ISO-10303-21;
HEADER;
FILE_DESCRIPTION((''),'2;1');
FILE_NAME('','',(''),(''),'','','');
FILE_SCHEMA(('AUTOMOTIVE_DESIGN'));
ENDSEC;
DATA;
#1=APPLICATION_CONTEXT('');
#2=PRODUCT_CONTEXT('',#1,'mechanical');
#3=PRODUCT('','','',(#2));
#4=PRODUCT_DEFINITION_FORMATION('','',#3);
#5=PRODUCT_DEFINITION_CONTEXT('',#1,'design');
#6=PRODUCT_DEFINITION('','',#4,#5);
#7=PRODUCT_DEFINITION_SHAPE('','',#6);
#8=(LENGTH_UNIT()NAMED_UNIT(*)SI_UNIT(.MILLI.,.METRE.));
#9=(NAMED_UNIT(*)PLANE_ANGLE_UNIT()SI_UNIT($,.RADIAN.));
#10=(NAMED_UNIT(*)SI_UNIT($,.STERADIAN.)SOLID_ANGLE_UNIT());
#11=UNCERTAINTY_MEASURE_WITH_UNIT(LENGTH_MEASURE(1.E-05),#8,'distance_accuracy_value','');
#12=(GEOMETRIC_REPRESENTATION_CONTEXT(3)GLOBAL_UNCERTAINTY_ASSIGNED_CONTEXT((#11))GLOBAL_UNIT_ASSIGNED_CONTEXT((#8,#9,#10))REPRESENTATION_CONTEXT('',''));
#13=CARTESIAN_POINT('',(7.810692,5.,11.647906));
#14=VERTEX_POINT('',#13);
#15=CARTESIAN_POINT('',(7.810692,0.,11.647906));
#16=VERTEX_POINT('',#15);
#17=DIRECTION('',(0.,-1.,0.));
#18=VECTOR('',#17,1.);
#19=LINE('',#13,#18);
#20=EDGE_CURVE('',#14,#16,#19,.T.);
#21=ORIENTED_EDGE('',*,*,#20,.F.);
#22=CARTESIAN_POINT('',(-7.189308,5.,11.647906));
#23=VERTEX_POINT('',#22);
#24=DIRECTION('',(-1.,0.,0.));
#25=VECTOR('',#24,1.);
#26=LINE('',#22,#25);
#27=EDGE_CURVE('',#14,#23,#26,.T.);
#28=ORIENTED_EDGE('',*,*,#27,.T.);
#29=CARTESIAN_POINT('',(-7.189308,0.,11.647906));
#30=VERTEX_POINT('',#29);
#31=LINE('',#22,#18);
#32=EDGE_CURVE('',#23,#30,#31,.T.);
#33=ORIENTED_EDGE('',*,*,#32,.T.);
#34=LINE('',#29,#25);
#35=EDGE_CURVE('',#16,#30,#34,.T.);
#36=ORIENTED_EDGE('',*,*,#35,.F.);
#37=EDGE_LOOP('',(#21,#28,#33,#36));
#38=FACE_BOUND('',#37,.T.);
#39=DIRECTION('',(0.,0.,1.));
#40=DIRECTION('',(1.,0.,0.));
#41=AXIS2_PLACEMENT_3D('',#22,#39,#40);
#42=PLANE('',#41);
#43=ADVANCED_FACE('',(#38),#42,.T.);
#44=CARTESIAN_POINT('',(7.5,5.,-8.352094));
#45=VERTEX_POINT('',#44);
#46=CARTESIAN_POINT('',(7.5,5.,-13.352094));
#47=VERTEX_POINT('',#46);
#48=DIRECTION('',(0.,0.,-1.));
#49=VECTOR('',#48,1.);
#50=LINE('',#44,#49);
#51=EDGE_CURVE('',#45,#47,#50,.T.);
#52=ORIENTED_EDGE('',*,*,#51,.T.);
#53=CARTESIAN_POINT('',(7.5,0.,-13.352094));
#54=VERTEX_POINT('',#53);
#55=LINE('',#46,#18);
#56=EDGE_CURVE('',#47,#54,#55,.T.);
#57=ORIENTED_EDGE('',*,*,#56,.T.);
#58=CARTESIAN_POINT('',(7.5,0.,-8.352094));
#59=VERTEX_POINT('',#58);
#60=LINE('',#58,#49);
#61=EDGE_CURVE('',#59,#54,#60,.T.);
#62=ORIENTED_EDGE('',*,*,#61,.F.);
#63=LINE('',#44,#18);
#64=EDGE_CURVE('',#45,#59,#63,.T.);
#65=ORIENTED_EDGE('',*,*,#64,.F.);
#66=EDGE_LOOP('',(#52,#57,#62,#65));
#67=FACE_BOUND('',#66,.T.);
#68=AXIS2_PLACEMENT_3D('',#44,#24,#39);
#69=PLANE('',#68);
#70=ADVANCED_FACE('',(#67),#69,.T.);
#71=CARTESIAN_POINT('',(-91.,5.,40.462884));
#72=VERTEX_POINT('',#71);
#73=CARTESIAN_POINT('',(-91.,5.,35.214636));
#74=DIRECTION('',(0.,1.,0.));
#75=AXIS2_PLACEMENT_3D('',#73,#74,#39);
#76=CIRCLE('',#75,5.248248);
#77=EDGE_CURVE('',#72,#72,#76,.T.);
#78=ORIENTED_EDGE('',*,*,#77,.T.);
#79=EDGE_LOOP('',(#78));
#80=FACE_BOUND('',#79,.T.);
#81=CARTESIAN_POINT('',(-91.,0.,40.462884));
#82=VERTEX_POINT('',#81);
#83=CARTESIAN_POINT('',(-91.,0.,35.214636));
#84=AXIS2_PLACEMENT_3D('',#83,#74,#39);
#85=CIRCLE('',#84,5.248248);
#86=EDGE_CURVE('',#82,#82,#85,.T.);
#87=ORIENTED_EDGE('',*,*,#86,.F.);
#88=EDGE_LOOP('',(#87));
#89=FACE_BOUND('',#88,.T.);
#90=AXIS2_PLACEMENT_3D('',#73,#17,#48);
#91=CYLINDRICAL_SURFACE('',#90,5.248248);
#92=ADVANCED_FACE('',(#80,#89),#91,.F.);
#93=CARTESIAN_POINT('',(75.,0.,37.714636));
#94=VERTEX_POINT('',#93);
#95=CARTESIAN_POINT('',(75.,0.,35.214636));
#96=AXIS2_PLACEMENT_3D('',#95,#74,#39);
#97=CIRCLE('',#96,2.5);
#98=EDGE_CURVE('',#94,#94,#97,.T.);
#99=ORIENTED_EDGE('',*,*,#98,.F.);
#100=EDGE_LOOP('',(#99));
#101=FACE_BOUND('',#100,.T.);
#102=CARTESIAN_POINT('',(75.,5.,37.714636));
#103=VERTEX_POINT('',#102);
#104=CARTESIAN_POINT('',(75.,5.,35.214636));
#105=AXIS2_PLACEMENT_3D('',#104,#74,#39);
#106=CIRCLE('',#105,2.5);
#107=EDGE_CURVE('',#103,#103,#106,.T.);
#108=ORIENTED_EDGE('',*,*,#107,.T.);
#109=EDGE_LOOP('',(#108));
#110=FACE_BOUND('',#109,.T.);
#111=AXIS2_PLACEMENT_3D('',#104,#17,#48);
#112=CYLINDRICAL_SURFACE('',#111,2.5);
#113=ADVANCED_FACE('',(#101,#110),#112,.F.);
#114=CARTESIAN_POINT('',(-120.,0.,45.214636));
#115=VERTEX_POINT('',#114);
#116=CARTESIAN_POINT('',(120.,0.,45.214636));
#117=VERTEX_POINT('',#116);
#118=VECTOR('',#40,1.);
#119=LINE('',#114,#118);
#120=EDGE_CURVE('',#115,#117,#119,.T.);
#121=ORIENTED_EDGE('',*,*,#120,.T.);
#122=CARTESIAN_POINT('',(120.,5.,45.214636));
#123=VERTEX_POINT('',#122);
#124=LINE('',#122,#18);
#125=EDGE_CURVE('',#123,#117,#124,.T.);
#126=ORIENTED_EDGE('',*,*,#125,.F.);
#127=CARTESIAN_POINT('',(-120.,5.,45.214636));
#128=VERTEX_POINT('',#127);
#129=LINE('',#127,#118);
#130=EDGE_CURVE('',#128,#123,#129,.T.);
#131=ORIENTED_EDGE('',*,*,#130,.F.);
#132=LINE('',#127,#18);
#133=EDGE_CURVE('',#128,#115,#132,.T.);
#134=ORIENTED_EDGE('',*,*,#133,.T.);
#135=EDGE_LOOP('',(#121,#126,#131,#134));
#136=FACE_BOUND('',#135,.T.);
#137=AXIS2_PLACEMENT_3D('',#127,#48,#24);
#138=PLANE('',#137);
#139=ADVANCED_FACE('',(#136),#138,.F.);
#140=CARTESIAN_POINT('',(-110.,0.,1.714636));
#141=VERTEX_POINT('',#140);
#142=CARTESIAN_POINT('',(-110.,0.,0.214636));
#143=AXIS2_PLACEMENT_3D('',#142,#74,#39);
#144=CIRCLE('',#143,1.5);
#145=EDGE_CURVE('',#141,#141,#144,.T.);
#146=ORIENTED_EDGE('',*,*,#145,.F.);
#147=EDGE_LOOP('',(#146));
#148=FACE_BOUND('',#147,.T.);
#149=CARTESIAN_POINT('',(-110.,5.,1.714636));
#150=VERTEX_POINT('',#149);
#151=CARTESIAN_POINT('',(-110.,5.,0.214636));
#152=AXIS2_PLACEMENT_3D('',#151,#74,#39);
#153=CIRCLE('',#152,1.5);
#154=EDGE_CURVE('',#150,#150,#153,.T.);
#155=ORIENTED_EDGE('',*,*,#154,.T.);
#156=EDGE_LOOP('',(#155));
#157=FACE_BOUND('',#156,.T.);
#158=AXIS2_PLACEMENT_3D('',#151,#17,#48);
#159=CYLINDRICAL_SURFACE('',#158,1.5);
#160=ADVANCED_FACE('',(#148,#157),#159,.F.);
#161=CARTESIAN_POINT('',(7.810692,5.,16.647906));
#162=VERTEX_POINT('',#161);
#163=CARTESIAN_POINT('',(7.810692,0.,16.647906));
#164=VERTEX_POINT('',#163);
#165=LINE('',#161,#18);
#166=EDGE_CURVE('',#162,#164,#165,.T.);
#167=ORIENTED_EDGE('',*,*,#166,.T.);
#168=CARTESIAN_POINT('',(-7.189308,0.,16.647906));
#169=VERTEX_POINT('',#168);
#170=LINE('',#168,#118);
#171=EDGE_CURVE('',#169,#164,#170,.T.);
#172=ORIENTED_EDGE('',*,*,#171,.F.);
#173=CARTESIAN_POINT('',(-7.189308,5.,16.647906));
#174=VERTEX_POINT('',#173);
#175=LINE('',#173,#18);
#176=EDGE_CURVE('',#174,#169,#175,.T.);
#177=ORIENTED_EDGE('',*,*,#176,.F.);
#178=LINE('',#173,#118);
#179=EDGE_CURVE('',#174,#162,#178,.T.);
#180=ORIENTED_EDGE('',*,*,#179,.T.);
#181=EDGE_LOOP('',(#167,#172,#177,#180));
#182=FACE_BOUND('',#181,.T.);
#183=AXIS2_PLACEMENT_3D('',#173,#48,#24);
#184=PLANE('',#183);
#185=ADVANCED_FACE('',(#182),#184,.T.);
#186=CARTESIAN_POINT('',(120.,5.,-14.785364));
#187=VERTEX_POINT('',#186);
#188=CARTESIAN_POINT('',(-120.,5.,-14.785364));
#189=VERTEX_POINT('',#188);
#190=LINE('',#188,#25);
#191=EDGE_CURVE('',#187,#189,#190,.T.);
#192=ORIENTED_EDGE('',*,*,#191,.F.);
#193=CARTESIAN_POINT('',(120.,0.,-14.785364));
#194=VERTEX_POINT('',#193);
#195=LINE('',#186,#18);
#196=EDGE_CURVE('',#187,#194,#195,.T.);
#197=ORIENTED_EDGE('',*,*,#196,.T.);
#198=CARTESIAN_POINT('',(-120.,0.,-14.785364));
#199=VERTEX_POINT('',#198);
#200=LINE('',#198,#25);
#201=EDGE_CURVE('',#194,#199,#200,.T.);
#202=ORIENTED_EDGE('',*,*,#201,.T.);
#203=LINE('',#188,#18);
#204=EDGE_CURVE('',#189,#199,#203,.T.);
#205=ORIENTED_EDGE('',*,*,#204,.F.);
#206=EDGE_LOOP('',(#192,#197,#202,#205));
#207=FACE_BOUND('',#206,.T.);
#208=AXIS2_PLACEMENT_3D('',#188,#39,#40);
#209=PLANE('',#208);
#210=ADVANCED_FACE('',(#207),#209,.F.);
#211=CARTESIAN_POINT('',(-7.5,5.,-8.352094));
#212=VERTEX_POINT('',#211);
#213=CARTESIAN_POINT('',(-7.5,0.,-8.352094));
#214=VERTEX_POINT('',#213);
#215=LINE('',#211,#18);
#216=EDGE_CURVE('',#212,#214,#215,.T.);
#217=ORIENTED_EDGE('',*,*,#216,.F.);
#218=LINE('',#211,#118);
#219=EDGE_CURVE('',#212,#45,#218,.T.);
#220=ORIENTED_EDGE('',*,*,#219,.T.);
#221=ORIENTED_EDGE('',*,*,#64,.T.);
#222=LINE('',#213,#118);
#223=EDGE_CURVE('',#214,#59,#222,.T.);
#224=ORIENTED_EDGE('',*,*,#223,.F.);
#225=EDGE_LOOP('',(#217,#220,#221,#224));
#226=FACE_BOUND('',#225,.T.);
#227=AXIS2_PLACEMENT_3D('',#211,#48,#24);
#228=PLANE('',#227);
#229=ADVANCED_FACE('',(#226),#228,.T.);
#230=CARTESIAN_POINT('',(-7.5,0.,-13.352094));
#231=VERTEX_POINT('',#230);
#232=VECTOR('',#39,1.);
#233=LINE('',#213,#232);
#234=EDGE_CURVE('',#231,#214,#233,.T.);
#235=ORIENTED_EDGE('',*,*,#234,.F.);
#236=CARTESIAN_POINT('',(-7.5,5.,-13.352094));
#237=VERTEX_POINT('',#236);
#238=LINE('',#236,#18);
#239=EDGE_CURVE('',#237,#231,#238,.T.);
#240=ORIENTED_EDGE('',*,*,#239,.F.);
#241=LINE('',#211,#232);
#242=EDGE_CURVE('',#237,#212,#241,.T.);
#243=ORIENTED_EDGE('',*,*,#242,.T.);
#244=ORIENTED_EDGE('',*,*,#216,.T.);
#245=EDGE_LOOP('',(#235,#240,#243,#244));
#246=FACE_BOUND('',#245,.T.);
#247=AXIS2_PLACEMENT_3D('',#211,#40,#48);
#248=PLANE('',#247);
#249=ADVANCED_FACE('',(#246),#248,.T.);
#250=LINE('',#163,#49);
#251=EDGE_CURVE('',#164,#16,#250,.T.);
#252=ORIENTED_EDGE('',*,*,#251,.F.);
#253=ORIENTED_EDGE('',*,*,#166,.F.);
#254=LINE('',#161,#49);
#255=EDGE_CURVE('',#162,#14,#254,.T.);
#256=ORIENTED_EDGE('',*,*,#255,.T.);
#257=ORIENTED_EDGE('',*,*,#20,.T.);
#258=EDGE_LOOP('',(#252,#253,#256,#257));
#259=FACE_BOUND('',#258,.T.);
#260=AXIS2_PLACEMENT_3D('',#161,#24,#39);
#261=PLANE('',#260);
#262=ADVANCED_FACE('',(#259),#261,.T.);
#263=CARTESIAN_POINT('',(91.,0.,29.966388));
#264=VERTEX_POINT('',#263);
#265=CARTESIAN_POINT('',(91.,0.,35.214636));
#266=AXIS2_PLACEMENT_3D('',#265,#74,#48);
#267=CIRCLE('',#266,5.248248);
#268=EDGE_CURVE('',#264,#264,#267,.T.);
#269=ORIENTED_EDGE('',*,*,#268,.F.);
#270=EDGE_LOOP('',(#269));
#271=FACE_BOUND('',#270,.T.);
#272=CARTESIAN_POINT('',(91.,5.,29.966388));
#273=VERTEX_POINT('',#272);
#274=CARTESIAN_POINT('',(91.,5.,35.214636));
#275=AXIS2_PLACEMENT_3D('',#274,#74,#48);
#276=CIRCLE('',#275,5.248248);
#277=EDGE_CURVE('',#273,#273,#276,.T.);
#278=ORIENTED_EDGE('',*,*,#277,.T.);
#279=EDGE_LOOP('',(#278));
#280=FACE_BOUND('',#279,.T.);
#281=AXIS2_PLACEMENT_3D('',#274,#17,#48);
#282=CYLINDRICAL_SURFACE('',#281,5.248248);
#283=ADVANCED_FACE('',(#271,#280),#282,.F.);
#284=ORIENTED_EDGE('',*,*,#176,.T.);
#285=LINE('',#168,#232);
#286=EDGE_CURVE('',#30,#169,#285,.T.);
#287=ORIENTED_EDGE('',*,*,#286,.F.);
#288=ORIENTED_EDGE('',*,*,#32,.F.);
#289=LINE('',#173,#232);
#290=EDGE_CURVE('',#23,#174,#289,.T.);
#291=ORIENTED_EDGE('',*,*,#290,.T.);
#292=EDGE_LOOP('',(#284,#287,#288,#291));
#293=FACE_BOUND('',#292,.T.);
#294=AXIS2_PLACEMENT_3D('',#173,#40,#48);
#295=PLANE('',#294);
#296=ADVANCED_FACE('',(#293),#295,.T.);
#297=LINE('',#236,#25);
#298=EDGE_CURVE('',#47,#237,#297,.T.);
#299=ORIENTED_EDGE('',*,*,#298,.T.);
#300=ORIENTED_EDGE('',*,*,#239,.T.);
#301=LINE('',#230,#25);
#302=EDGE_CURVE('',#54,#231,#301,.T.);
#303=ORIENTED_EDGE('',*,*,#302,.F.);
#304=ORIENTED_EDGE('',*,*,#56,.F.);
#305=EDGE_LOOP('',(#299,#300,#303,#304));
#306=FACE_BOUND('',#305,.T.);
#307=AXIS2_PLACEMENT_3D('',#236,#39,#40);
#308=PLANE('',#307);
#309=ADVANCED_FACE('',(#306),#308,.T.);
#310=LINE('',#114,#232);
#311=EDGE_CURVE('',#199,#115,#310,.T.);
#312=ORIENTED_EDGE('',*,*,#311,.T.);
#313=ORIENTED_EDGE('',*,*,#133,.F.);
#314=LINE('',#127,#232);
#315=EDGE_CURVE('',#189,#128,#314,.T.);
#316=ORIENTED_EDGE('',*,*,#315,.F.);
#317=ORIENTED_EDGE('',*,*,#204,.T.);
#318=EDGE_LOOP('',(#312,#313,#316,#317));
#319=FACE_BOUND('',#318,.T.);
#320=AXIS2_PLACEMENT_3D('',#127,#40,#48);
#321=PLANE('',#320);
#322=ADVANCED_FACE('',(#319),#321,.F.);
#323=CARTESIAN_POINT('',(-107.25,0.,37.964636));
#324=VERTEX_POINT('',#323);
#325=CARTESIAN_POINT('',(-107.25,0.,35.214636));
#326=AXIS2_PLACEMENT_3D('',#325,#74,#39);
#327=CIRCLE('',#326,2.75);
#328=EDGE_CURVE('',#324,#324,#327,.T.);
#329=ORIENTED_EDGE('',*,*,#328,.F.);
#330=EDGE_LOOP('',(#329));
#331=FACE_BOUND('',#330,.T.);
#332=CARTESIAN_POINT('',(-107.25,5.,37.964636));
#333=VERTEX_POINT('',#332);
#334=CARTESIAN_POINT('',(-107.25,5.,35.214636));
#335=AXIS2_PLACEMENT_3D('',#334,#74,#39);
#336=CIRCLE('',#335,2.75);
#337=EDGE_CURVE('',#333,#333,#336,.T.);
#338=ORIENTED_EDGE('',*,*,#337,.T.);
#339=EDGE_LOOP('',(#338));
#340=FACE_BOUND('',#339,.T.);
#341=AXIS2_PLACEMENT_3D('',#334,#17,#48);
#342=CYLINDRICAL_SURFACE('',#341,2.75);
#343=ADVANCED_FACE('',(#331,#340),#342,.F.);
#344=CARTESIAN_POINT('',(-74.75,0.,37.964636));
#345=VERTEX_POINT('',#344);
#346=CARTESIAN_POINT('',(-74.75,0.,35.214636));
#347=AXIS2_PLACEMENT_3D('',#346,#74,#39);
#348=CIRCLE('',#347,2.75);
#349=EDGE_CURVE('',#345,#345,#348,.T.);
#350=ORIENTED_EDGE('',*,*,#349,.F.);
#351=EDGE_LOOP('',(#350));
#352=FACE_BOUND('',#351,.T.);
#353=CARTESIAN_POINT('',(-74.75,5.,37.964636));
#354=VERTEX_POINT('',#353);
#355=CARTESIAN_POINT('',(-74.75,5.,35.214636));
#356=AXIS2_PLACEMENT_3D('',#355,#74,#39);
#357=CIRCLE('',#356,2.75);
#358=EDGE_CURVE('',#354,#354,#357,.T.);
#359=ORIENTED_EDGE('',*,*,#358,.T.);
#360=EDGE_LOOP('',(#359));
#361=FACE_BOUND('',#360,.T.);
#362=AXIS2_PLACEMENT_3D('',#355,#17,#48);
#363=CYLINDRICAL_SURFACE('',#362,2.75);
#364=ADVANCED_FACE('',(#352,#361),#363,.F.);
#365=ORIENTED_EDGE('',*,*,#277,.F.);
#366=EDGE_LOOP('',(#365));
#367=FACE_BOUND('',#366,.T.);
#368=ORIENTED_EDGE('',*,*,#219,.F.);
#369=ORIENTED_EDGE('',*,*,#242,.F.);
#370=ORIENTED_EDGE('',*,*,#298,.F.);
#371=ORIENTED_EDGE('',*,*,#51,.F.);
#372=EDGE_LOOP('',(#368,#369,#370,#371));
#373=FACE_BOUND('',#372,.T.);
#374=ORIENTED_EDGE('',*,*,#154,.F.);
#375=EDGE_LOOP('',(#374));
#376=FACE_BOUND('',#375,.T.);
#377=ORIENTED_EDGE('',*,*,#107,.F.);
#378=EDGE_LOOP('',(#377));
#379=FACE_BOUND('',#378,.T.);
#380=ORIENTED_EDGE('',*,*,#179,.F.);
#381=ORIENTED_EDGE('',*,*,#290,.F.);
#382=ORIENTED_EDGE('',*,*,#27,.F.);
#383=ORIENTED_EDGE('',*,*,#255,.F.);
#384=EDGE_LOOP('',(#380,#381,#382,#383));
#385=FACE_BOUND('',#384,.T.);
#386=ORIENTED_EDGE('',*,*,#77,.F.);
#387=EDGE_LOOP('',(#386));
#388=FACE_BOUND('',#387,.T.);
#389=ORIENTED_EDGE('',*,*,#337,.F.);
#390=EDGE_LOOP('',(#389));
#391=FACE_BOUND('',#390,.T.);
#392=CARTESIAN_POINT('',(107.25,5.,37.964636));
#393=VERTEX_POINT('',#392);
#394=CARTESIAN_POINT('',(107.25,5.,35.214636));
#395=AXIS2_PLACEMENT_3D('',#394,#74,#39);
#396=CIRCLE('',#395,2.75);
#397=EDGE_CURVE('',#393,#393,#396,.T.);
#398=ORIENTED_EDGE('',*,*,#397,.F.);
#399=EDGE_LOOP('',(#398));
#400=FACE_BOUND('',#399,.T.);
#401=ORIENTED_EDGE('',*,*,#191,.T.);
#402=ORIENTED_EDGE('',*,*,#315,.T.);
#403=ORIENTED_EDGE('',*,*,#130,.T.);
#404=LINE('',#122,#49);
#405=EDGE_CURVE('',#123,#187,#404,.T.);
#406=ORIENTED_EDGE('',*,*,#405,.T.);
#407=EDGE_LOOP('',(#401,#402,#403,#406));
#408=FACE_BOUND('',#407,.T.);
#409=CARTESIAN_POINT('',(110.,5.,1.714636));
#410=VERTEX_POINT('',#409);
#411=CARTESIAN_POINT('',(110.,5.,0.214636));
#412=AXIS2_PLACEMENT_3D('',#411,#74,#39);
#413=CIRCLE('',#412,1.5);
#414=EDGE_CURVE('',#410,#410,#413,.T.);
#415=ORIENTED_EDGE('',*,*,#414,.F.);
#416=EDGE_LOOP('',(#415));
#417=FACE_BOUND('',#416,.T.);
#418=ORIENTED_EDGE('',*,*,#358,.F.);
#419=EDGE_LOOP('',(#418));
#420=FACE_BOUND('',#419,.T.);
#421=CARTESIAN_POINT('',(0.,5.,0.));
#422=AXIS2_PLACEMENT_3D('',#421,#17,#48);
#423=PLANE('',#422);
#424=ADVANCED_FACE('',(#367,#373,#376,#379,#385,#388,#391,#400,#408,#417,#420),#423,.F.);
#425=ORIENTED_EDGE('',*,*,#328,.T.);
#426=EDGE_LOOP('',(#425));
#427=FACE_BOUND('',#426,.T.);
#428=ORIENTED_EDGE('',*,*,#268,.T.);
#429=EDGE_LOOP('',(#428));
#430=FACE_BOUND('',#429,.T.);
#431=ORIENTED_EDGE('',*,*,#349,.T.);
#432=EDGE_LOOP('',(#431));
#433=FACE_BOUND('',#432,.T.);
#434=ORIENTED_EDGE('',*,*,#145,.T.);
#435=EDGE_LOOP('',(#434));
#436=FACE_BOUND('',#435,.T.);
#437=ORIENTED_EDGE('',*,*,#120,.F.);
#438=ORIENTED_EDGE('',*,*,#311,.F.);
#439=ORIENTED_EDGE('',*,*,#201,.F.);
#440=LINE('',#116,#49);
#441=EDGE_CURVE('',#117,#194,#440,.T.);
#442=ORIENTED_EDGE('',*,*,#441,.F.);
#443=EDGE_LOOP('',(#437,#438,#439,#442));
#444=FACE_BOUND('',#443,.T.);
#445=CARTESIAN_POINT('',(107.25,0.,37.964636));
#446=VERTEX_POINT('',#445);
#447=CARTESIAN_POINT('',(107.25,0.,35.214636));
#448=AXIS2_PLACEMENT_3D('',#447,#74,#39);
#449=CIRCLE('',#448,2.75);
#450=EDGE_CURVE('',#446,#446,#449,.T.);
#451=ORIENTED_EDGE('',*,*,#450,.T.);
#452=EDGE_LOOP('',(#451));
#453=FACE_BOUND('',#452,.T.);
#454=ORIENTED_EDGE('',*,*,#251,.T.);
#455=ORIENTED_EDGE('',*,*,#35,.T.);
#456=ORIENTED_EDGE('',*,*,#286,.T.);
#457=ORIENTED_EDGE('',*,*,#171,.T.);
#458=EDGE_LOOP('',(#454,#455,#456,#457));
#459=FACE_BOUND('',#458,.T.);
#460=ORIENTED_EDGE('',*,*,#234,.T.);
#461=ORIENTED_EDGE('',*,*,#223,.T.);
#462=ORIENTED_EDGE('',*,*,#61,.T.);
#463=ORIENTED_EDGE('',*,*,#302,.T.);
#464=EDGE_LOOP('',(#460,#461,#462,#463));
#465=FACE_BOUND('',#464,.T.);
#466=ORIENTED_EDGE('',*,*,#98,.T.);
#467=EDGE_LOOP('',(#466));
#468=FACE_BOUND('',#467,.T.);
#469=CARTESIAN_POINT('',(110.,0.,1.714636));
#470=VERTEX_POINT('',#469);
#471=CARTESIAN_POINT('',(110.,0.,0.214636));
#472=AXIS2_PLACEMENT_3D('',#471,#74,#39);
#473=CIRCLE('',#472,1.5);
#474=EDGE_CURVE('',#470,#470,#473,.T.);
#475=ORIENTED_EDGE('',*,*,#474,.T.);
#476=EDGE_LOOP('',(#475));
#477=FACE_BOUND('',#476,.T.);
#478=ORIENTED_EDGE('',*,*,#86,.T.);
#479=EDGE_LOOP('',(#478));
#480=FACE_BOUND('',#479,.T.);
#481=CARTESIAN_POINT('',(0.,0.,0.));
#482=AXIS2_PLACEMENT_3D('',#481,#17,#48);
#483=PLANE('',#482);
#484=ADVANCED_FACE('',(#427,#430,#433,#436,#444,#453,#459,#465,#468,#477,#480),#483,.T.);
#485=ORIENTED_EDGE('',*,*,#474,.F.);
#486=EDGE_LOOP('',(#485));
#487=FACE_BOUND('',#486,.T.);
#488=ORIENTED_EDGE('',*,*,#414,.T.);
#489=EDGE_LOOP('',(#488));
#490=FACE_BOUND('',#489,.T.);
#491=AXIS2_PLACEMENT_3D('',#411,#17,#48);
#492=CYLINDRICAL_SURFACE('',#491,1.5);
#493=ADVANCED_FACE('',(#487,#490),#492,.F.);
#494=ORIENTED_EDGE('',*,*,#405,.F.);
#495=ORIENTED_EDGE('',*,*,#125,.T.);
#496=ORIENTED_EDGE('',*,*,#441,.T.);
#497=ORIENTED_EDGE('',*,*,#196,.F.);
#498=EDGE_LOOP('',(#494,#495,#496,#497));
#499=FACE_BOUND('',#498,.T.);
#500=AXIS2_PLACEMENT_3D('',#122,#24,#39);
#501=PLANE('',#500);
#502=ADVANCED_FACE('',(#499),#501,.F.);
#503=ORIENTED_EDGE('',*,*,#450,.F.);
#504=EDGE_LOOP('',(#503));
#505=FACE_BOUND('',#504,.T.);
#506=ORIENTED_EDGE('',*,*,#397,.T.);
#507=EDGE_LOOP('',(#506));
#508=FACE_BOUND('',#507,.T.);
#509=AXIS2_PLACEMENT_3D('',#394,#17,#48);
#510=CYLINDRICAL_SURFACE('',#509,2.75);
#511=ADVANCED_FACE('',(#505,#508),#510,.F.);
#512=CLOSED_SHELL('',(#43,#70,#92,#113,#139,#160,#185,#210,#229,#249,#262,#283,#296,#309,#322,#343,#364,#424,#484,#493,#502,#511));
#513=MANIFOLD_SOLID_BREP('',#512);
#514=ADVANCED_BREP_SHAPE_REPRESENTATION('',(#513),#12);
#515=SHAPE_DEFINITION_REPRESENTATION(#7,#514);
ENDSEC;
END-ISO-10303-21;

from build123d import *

# Parameters (mm, degrees)
SKETCH1_W           = 240
SKETCH1_H           = 60
SKETCH1_R           = 5.248248104
SKETCH1_R_2         = 1.5
SKETCH1_R_3         = 2.75
SKETCH1_R_4         = 2.5
SKETCH1_W_2         = 15
SKETCH1_H_2         = 5
BOSS_EXTRUDE1_DEPTH = 5


with BuildPart() as part:
    # Sketch1 → Boss-Extrude1 (new body)
    with BuildSketch(Plane(origin=(0, 0, 0), x_dir=(1, 0, 0), z_dir=(0, 1, 0))):
        with Locations((0, -15.214636322)):
            Rectangle(SKETCH1_W, SKETCH1_H)
        with Locations(Location((-91, -35.214636322, 0), (0, 0, 270))):
            Circle(SKETCH1_R, mode=Mode.SUBTRACT)
        with Locations(Location((91, -35.214636322, 0), (0, 0, 90))):
            Circle(SKETCH1_R, mode=Mode.SUBTRACT)
        with Locations(Location((-110, -0.214636322, 0), (0, 0, 270))):
            Circle(SKETCH1_R_2, mode=Mode.SUBTRACT)
        with Locations(Location((110, -0.214636322, 0), (0, 0, 270))):
            Circle(SKETCH1_R_2, mode=Mode.SUBTRACT)
        with Locations(Location((-74.75, -35.214636322, 0), (0, 0, 270))):
            Circle(SKETCH1_R_3, mode=Mode.SUBTRACT)
        with Locations(Location((-107.25, -35.214636322, 0), (0, 0, 270))):
            Circle(SKETCH1_R_3, mode=Mode.SUBTRACT)
        with Locations(Location((107.25, -35.214636322, 0), (0, 0, 270))):
            Circle(SKETCH1_R_3, mode=Mode.SUBTRACT)
        with Locations(Location((75, -35.214636322, 0), (0, 0, 270))):
            Circle(SKETCH1_R_4, mode=Mode.SUBTRACT)
        with Locations((0.310691637, -14.147905604)):
            Rectangle(SKETCH1_W_2, SKETCH1_H_2, mode=Mode.SUBTRACT)
        with Locations((0, 10.852094396)):
            Rectangle(SKETCH1_W_2, SKETCH1_H_2, mode=Mode.SUBTRACT)
    extrude(amount=BOSS_EXTRUDE1_DEPTH)


solid = part.part
